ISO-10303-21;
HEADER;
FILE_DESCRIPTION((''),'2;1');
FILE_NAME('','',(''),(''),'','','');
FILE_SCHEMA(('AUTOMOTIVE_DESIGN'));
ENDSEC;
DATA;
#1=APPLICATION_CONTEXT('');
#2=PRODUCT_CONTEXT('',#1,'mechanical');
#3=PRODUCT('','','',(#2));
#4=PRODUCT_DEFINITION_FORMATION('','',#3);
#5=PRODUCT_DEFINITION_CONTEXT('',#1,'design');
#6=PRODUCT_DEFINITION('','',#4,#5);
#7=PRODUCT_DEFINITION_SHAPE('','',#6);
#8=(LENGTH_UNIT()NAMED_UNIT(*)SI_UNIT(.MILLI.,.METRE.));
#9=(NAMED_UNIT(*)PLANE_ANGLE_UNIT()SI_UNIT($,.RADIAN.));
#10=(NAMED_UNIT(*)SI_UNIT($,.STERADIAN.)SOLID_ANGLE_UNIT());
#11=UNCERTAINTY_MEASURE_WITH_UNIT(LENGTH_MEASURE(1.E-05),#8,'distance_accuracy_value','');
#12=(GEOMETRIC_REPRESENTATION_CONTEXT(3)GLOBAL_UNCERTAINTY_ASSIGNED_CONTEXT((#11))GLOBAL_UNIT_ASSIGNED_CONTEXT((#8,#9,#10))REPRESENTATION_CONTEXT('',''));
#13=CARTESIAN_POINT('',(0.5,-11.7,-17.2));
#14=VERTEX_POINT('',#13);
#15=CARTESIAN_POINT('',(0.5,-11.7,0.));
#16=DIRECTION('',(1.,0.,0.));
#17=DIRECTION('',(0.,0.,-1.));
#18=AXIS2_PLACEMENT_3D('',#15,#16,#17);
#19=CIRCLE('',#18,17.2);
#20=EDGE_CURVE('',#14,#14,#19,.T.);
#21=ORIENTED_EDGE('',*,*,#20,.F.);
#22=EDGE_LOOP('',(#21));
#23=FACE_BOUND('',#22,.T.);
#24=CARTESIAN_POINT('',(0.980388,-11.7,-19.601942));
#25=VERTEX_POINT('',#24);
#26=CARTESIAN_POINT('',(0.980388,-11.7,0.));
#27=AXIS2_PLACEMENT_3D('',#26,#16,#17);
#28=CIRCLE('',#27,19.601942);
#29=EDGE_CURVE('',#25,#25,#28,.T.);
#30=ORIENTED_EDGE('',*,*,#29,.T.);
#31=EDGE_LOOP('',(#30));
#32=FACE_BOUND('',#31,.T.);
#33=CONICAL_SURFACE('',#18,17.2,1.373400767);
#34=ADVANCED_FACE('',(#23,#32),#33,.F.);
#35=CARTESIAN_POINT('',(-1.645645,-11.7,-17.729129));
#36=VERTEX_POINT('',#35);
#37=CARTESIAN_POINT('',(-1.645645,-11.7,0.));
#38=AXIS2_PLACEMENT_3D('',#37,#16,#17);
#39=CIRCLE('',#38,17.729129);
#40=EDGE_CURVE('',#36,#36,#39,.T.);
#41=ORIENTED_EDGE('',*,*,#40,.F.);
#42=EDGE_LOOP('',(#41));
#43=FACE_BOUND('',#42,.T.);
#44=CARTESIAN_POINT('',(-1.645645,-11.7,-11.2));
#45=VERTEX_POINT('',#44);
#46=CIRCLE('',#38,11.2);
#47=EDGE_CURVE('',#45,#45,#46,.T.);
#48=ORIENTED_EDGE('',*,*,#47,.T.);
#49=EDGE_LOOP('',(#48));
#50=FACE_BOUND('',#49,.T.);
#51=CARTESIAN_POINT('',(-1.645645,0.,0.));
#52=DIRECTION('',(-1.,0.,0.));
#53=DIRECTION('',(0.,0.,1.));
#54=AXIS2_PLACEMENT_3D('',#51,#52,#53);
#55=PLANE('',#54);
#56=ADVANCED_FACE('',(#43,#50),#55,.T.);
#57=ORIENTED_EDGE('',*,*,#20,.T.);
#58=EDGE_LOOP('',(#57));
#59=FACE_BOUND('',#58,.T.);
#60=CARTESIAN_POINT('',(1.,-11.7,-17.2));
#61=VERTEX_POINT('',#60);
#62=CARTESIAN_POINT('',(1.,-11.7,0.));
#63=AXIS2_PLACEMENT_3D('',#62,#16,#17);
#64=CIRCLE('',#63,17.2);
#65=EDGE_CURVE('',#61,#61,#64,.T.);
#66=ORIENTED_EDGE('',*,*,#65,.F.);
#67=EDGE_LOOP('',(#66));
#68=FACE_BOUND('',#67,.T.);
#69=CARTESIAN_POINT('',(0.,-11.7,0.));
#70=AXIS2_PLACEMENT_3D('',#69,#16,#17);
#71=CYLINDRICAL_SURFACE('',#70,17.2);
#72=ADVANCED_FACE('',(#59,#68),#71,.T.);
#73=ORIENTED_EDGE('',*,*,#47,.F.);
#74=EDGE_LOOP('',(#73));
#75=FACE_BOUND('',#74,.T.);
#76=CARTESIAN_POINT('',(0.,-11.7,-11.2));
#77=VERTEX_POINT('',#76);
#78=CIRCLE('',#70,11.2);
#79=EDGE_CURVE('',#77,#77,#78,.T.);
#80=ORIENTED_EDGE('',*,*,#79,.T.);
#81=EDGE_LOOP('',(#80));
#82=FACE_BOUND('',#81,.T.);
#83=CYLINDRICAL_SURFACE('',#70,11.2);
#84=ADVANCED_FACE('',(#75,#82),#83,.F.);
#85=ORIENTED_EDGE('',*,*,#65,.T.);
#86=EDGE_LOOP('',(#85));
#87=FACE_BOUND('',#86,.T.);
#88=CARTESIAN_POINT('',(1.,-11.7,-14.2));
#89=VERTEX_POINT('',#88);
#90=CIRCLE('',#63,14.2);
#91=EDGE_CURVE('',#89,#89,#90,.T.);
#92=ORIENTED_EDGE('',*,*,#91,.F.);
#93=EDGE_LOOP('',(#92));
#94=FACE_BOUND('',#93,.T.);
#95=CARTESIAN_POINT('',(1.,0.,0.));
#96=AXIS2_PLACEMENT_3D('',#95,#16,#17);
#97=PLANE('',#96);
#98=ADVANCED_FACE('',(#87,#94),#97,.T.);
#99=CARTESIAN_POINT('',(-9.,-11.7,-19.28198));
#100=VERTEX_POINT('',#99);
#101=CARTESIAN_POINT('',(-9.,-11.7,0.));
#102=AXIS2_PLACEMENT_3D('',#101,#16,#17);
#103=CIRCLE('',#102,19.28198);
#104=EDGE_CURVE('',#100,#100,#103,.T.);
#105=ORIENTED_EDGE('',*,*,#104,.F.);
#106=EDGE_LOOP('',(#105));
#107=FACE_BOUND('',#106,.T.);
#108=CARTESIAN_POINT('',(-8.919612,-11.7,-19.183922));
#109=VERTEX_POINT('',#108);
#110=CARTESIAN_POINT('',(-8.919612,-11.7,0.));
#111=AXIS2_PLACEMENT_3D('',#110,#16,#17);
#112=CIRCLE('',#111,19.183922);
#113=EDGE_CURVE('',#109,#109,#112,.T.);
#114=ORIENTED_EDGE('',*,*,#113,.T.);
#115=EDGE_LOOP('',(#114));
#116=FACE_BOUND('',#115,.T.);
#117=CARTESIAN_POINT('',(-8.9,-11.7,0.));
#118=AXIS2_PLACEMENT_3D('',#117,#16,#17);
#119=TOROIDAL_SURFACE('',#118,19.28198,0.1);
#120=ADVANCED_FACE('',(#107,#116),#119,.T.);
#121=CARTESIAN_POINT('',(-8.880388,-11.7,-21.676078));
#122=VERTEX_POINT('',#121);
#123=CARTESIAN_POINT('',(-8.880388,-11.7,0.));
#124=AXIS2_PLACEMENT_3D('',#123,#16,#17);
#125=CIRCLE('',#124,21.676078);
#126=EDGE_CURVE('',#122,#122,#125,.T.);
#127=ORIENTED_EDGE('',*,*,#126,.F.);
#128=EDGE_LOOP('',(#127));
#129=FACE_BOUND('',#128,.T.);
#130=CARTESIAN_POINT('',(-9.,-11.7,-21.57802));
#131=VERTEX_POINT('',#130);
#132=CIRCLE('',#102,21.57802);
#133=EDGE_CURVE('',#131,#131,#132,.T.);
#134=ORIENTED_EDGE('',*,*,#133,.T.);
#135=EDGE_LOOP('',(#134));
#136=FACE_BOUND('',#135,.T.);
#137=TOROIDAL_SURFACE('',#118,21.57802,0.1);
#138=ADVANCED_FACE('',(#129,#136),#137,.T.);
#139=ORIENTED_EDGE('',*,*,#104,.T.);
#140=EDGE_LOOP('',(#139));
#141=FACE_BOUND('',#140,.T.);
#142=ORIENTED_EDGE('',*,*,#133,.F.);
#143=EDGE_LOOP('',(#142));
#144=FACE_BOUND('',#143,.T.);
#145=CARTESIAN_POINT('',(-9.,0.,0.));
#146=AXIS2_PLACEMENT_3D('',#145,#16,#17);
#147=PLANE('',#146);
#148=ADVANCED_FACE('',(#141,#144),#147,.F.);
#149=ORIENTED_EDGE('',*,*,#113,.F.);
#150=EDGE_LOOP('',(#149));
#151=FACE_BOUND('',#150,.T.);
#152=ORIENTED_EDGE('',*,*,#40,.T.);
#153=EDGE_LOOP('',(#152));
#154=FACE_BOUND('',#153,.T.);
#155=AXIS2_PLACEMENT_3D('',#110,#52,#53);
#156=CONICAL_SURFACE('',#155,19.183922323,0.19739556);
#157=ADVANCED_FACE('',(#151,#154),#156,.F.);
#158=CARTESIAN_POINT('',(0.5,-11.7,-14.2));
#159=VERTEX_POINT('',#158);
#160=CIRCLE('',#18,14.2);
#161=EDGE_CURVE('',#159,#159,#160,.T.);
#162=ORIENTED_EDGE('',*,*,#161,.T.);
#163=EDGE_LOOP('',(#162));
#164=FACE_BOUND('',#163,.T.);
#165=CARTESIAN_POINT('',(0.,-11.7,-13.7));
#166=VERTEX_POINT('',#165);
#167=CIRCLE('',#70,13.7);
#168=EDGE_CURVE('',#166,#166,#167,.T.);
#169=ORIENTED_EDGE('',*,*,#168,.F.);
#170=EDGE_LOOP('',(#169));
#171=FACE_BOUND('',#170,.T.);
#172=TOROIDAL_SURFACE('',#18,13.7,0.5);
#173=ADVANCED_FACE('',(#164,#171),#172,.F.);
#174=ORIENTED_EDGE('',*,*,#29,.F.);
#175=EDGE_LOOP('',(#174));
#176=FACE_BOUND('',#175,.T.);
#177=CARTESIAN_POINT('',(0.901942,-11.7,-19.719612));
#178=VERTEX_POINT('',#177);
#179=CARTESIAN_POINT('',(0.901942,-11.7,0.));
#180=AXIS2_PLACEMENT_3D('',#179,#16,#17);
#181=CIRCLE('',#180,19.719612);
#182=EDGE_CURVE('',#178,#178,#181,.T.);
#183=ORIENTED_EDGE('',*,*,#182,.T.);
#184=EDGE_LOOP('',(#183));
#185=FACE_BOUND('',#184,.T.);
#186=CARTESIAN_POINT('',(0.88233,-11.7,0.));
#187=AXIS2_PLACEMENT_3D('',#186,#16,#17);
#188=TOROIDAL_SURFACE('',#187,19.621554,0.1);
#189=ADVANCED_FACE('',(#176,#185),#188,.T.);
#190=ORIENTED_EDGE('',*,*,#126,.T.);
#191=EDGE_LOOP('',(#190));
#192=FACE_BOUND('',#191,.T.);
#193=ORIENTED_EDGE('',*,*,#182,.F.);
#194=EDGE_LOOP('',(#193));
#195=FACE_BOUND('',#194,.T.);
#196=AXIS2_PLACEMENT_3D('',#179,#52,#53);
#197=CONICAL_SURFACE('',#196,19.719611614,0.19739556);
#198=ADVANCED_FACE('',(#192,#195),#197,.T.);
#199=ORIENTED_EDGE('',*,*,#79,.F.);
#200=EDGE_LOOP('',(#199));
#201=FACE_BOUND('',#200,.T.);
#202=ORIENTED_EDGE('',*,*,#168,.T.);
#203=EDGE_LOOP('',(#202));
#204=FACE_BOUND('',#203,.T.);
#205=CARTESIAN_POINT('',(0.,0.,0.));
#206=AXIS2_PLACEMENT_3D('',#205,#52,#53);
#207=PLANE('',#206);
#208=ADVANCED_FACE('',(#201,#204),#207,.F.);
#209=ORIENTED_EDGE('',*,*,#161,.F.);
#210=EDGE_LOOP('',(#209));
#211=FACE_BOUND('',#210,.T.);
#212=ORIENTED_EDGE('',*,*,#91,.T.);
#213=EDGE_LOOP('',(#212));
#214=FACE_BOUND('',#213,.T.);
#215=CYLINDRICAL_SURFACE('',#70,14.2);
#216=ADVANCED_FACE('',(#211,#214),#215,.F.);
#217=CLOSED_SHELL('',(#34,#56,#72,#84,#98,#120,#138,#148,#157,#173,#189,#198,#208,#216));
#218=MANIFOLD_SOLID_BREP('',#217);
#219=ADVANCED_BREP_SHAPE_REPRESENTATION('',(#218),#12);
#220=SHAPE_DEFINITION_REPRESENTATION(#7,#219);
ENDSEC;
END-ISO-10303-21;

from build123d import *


with BuildPart() as part:
    # Szkic1 → Obrót1 (revolve)
    with BuildSketch(Plane.XY, mode=Mode.PRIVATE) as obr_t1_sk:
        with BuildLine():
            Line((0.901941932, 8.019611614), (-8.880388386, 9.976077677))
            ThreePointArc((-8.880388386, 9.976077677), (-8.963398891, 9.955353824), (-9, 9.87801961))
            Line((-9, 9.87801961), (-9, 7.58198039))
            ThreePointArc((-9, 7.58198039), (-8.977334214, 7.5185815), (-8.919611614, 7.483922323))
            Line((-8.919611614, 7.483922323), (-1.645644932, 6.029128986))
            Line((-1.645644932, 6.029128986), (-1.645644932, -0.5))
            Line((-1.645644932, -0.5), (0, -0.5))
            Line((0, -0.5), (0, 2))
            ThreePointArc((0, 2), (0.146446609, 2.353553391), (0.5, 2.5))
            Line((0.5, 2.5), (1, 2.5))
            Line((1, 2.5), (1, 5.5))
            Line((1, 5.5), (0.5, 5.5))
            Line((0.5, 5.5), (0.980388386, 7.901941932))
            ThreePointArc((0.980388386, 7.901941932), (0.965535348, 7.977023566), (0.901941932, 8.019611614))
        make_face()
    revolve(obr_t1_sk.sketch.rotate(Axis((0, -11.7, 0), (-1, 0, 0)), 90), axis=Axis((0, -11.7, 0), (-1, 0, 0)))


solid = part.part
